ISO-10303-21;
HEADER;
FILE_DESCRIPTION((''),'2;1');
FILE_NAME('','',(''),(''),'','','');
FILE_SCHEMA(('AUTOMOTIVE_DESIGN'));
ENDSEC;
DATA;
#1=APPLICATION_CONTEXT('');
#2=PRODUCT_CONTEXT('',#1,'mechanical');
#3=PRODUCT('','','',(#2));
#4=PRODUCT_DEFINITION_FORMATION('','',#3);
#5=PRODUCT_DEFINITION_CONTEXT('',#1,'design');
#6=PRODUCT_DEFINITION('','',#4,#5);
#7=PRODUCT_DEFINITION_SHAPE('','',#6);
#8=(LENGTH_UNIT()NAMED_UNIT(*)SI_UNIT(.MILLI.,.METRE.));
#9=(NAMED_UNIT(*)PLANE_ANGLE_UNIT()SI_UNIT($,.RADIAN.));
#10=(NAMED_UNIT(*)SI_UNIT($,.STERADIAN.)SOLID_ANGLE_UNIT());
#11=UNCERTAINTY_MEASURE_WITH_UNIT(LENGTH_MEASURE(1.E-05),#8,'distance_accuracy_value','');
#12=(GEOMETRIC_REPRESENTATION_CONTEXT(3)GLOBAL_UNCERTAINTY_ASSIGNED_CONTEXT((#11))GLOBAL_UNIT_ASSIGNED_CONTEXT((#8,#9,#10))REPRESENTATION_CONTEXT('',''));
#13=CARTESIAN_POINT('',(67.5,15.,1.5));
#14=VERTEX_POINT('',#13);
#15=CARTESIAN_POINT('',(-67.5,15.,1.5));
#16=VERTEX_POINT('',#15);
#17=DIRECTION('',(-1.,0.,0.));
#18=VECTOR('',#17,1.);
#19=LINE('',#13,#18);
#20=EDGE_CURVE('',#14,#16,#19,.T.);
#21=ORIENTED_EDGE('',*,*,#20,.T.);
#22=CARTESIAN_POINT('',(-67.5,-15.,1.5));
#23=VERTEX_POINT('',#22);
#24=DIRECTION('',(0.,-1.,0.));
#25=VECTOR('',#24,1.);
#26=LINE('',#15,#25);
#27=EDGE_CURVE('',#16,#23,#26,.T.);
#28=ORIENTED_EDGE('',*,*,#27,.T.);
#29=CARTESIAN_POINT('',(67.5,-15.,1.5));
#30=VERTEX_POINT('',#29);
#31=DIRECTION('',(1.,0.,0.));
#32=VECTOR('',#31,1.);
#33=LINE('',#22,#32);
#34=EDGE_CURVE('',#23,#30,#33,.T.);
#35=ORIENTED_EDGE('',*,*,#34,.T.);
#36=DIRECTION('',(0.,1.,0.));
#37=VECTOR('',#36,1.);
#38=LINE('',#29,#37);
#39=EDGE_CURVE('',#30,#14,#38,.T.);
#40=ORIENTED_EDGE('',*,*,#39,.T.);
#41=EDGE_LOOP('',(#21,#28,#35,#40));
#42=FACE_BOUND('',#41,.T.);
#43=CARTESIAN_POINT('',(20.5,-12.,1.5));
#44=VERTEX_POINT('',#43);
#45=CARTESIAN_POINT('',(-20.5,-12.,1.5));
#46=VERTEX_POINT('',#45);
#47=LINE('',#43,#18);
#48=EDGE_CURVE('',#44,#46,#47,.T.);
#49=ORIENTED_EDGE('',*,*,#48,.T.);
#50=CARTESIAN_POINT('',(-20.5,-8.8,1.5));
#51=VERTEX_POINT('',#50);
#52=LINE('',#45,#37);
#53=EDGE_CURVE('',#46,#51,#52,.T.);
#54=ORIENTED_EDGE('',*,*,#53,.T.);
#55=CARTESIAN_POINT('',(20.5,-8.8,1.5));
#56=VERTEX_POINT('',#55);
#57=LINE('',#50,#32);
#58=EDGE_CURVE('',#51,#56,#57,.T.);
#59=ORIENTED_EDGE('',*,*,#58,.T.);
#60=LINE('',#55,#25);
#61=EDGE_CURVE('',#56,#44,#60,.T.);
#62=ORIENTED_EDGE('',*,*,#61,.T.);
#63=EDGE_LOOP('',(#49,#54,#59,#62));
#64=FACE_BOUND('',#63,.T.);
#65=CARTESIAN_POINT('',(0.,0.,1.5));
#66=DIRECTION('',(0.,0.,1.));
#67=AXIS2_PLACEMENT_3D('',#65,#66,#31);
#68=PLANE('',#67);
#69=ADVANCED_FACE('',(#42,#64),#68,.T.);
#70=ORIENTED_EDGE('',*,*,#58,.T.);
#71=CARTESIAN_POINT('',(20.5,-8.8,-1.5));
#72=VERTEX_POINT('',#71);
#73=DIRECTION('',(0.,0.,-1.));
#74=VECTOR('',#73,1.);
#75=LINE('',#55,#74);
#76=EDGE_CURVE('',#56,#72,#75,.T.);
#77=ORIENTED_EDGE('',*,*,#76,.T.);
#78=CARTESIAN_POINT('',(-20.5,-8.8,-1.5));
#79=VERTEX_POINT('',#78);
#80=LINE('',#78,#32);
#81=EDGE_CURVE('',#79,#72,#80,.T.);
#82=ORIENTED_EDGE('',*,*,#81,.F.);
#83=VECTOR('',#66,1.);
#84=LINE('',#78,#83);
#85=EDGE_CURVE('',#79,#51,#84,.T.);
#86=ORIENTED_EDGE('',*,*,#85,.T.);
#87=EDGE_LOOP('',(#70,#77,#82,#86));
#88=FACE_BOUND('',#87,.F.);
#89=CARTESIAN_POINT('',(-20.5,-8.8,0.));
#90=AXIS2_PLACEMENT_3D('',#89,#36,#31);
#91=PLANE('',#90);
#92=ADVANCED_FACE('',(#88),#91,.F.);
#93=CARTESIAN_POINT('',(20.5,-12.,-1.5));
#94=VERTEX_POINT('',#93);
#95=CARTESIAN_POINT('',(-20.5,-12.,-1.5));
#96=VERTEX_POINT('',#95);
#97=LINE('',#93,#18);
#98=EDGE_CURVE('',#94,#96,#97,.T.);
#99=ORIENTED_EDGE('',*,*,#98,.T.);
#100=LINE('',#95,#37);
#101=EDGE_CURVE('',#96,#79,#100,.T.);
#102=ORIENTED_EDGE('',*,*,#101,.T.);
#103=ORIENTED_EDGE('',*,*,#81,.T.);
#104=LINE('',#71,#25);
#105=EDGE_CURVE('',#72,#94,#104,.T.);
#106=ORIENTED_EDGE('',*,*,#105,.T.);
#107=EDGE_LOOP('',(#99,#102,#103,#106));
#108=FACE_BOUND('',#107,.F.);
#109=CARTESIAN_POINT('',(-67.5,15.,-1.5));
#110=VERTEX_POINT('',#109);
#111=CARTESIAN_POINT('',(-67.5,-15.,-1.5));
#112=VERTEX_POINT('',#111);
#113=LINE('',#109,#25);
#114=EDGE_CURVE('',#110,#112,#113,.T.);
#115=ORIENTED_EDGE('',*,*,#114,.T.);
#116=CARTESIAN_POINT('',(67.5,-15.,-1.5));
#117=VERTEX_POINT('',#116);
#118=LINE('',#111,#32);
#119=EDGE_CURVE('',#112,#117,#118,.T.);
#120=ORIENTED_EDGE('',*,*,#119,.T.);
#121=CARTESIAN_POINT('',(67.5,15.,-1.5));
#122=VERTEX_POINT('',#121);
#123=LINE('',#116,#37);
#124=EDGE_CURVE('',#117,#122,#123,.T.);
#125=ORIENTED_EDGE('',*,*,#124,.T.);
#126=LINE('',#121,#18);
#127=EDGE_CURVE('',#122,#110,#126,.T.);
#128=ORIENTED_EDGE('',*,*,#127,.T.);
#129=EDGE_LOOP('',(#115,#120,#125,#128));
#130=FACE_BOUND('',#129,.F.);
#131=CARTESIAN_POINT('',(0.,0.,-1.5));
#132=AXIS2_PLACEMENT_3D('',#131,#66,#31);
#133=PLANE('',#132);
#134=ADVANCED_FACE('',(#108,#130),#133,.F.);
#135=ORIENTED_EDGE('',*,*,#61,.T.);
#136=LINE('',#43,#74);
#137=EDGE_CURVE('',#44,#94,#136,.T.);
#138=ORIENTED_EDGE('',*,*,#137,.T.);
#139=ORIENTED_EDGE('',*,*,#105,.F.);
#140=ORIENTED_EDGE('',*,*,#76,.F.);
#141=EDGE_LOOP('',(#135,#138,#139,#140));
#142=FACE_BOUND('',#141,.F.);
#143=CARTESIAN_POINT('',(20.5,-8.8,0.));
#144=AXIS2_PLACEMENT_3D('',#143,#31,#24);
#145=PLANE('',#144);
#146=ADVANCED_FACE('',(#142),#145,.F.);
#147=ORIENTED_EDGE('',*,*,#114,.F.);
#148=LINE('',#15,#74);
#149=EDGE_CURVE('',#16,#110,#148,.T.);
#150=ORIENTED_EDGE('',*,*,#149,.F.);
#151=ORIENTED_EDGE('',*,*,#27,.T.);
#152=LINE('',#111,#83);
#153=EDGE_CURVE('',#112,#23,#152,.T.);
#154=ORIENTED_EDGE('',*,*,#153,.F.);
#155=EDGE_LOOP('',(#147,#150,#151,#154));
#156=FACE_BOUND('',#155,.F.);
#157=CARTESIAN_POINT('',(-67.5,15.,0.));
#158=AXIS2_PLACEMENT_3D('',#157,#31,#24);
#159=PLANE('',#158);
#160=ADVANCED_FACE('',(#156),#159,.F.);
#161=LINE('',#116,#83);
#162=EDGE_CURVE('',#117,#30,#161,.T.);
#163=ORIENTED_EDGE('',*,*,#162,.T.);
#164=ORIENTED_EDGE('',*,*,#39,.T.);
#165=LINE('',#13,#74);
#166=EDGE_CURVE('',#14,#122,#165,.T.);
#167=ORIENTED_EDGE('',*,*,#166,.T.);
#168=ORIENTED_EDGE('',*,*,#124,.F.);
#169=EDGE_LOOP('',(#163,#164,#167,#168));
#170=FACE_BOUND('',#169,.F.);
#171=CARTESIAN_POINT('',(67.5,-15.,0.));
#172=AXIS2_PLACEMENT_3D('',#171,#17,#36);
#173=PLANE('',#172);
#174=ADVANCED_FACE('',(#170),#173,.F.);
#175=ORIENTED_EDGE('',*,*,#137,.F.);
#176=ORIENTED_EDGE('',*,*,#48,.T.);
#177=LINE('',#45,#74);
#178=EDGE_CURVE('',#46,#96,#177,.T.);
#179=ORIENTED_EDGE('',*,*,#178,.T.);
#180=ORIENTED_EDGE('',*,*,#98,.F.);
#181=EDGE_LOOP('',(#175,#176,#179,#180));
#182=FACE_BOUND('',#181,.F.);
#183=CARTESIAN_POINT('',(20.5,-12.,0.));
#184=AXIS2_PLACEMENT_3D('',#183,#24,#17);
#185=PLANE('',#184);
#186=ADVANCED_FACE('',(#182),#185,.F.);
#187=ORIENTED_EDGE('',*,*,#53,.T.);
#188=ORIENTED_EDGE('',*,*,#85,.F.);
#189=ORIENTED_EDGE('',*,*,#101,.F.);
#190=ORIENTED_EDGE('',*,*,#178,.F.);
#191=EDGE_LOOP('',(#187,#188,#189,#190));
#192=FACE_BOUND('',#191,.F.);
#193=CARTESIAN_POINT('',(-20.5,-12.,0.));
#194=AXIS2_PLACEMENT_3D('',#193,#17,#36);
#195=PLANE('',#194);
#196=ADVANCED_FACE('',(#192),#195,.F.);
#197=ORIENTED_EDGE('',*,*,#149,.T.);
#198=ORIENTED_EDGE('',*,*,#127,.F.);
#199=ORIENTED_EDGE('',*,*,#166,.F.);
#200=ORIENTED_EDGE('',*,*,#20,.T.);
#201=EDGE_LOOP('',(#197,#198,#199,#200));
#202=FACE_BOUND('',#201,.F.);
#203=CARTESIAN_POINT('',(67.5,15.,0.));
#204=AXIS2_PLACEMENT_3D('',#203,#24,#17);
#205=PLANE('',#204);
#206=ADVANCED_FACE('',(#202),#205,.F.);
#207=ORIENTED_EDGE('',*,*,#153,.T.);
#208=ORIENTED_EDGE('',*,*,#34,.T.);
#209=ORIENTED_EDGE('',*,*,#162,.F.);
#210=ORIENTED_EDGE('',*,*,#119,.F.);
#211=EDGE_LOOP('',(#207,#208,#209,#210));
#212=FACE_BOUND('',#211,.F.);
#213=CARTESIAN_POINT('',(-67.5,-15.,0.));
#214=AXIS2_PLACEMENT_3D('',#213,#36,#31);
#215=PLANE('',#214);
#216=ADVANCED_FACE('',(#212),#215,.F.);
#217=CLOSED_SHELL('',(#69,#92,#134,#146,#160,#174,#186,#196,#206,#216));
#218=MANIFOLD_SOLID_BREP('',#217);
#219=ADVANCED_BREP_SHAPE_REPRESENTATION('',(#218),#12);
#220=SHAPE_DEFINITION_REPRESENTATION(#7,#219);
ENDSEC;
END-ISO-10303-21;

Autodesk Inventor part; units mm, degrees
ref_plane "YZ Plane" through (0, 0, 0) normal (1, 0, 0) x (0, 1, 0)
ref_plane "XZ Plane" through (0, 0, 0) normal (0, 1, 0) x (-1, 0, 0)
ref_plane "XY Plane" through (0, 0, 0) normal (0, 0, 1) x (1, 0, 0)
sketch "Sketch1" plane through (0, 0, 0) normal (0, 0, 1) x (1, 0, 0)
  line L0 (-67.5, -15) -> (67.5, -15)
  line L1 (67.5, -15) -> (67.5, 15)
  line L2 (67.5, 15) -> (-67.5, 15)
  line L3 (-67.5, 15) -> (-67.5, -15)
  line L4 (-67.5, -15) -> (67.5, 15) construction
  line L5 (67.5, -15) -> (-67.5, 15) construction
  line L6 (-20.5, -8.8) -> (20.5, -8.8)
  line L7 (20.5, -8.8) -> (20.5, -12)
  line L8 (20.5, -12) -> (-20.5, -12)
  line L9 (-20.5, -12) -> (-20.5, -8.8)
  line L10 (-20.5, -8.8) -> (20.5, -12) construction
  line L11 (20.5, -8.8) -> (-20.5, -12) construction
  point P0 (0, 0)
  point P1 (0, -10.4)
  point P2 (0, -8.8)
  dimension "d0" = 135
  dimension "d1" = 30
  dimension "d5" = 41
  dimension "d6" = 3
  dimension "d7" = 3.2
extrude "Plate1" add sketch "Sketch1" along normal mid plane 3
equation "\"d4\" = Thickness"
equation "\"BendRadius\" = Thickness"
equation "\"BendReliefWidth\" = Thickness"
equation "\"BendReliefDepth\" = 0.5 * Thickness"
equation "\"CornerReliefSize\" = 4 * Thickness"
equation "\"MinimumRemnant\" = 2 * Thickness"
equation "\"TransitionRadius\" = BendRadius"
equation "\"JacobiRadiusSize\" = BendRadius"
equation "\"GapSize\" = Thickness"
equation "\"Thickness\" = 3"
properties part number "Path Side Wall"
